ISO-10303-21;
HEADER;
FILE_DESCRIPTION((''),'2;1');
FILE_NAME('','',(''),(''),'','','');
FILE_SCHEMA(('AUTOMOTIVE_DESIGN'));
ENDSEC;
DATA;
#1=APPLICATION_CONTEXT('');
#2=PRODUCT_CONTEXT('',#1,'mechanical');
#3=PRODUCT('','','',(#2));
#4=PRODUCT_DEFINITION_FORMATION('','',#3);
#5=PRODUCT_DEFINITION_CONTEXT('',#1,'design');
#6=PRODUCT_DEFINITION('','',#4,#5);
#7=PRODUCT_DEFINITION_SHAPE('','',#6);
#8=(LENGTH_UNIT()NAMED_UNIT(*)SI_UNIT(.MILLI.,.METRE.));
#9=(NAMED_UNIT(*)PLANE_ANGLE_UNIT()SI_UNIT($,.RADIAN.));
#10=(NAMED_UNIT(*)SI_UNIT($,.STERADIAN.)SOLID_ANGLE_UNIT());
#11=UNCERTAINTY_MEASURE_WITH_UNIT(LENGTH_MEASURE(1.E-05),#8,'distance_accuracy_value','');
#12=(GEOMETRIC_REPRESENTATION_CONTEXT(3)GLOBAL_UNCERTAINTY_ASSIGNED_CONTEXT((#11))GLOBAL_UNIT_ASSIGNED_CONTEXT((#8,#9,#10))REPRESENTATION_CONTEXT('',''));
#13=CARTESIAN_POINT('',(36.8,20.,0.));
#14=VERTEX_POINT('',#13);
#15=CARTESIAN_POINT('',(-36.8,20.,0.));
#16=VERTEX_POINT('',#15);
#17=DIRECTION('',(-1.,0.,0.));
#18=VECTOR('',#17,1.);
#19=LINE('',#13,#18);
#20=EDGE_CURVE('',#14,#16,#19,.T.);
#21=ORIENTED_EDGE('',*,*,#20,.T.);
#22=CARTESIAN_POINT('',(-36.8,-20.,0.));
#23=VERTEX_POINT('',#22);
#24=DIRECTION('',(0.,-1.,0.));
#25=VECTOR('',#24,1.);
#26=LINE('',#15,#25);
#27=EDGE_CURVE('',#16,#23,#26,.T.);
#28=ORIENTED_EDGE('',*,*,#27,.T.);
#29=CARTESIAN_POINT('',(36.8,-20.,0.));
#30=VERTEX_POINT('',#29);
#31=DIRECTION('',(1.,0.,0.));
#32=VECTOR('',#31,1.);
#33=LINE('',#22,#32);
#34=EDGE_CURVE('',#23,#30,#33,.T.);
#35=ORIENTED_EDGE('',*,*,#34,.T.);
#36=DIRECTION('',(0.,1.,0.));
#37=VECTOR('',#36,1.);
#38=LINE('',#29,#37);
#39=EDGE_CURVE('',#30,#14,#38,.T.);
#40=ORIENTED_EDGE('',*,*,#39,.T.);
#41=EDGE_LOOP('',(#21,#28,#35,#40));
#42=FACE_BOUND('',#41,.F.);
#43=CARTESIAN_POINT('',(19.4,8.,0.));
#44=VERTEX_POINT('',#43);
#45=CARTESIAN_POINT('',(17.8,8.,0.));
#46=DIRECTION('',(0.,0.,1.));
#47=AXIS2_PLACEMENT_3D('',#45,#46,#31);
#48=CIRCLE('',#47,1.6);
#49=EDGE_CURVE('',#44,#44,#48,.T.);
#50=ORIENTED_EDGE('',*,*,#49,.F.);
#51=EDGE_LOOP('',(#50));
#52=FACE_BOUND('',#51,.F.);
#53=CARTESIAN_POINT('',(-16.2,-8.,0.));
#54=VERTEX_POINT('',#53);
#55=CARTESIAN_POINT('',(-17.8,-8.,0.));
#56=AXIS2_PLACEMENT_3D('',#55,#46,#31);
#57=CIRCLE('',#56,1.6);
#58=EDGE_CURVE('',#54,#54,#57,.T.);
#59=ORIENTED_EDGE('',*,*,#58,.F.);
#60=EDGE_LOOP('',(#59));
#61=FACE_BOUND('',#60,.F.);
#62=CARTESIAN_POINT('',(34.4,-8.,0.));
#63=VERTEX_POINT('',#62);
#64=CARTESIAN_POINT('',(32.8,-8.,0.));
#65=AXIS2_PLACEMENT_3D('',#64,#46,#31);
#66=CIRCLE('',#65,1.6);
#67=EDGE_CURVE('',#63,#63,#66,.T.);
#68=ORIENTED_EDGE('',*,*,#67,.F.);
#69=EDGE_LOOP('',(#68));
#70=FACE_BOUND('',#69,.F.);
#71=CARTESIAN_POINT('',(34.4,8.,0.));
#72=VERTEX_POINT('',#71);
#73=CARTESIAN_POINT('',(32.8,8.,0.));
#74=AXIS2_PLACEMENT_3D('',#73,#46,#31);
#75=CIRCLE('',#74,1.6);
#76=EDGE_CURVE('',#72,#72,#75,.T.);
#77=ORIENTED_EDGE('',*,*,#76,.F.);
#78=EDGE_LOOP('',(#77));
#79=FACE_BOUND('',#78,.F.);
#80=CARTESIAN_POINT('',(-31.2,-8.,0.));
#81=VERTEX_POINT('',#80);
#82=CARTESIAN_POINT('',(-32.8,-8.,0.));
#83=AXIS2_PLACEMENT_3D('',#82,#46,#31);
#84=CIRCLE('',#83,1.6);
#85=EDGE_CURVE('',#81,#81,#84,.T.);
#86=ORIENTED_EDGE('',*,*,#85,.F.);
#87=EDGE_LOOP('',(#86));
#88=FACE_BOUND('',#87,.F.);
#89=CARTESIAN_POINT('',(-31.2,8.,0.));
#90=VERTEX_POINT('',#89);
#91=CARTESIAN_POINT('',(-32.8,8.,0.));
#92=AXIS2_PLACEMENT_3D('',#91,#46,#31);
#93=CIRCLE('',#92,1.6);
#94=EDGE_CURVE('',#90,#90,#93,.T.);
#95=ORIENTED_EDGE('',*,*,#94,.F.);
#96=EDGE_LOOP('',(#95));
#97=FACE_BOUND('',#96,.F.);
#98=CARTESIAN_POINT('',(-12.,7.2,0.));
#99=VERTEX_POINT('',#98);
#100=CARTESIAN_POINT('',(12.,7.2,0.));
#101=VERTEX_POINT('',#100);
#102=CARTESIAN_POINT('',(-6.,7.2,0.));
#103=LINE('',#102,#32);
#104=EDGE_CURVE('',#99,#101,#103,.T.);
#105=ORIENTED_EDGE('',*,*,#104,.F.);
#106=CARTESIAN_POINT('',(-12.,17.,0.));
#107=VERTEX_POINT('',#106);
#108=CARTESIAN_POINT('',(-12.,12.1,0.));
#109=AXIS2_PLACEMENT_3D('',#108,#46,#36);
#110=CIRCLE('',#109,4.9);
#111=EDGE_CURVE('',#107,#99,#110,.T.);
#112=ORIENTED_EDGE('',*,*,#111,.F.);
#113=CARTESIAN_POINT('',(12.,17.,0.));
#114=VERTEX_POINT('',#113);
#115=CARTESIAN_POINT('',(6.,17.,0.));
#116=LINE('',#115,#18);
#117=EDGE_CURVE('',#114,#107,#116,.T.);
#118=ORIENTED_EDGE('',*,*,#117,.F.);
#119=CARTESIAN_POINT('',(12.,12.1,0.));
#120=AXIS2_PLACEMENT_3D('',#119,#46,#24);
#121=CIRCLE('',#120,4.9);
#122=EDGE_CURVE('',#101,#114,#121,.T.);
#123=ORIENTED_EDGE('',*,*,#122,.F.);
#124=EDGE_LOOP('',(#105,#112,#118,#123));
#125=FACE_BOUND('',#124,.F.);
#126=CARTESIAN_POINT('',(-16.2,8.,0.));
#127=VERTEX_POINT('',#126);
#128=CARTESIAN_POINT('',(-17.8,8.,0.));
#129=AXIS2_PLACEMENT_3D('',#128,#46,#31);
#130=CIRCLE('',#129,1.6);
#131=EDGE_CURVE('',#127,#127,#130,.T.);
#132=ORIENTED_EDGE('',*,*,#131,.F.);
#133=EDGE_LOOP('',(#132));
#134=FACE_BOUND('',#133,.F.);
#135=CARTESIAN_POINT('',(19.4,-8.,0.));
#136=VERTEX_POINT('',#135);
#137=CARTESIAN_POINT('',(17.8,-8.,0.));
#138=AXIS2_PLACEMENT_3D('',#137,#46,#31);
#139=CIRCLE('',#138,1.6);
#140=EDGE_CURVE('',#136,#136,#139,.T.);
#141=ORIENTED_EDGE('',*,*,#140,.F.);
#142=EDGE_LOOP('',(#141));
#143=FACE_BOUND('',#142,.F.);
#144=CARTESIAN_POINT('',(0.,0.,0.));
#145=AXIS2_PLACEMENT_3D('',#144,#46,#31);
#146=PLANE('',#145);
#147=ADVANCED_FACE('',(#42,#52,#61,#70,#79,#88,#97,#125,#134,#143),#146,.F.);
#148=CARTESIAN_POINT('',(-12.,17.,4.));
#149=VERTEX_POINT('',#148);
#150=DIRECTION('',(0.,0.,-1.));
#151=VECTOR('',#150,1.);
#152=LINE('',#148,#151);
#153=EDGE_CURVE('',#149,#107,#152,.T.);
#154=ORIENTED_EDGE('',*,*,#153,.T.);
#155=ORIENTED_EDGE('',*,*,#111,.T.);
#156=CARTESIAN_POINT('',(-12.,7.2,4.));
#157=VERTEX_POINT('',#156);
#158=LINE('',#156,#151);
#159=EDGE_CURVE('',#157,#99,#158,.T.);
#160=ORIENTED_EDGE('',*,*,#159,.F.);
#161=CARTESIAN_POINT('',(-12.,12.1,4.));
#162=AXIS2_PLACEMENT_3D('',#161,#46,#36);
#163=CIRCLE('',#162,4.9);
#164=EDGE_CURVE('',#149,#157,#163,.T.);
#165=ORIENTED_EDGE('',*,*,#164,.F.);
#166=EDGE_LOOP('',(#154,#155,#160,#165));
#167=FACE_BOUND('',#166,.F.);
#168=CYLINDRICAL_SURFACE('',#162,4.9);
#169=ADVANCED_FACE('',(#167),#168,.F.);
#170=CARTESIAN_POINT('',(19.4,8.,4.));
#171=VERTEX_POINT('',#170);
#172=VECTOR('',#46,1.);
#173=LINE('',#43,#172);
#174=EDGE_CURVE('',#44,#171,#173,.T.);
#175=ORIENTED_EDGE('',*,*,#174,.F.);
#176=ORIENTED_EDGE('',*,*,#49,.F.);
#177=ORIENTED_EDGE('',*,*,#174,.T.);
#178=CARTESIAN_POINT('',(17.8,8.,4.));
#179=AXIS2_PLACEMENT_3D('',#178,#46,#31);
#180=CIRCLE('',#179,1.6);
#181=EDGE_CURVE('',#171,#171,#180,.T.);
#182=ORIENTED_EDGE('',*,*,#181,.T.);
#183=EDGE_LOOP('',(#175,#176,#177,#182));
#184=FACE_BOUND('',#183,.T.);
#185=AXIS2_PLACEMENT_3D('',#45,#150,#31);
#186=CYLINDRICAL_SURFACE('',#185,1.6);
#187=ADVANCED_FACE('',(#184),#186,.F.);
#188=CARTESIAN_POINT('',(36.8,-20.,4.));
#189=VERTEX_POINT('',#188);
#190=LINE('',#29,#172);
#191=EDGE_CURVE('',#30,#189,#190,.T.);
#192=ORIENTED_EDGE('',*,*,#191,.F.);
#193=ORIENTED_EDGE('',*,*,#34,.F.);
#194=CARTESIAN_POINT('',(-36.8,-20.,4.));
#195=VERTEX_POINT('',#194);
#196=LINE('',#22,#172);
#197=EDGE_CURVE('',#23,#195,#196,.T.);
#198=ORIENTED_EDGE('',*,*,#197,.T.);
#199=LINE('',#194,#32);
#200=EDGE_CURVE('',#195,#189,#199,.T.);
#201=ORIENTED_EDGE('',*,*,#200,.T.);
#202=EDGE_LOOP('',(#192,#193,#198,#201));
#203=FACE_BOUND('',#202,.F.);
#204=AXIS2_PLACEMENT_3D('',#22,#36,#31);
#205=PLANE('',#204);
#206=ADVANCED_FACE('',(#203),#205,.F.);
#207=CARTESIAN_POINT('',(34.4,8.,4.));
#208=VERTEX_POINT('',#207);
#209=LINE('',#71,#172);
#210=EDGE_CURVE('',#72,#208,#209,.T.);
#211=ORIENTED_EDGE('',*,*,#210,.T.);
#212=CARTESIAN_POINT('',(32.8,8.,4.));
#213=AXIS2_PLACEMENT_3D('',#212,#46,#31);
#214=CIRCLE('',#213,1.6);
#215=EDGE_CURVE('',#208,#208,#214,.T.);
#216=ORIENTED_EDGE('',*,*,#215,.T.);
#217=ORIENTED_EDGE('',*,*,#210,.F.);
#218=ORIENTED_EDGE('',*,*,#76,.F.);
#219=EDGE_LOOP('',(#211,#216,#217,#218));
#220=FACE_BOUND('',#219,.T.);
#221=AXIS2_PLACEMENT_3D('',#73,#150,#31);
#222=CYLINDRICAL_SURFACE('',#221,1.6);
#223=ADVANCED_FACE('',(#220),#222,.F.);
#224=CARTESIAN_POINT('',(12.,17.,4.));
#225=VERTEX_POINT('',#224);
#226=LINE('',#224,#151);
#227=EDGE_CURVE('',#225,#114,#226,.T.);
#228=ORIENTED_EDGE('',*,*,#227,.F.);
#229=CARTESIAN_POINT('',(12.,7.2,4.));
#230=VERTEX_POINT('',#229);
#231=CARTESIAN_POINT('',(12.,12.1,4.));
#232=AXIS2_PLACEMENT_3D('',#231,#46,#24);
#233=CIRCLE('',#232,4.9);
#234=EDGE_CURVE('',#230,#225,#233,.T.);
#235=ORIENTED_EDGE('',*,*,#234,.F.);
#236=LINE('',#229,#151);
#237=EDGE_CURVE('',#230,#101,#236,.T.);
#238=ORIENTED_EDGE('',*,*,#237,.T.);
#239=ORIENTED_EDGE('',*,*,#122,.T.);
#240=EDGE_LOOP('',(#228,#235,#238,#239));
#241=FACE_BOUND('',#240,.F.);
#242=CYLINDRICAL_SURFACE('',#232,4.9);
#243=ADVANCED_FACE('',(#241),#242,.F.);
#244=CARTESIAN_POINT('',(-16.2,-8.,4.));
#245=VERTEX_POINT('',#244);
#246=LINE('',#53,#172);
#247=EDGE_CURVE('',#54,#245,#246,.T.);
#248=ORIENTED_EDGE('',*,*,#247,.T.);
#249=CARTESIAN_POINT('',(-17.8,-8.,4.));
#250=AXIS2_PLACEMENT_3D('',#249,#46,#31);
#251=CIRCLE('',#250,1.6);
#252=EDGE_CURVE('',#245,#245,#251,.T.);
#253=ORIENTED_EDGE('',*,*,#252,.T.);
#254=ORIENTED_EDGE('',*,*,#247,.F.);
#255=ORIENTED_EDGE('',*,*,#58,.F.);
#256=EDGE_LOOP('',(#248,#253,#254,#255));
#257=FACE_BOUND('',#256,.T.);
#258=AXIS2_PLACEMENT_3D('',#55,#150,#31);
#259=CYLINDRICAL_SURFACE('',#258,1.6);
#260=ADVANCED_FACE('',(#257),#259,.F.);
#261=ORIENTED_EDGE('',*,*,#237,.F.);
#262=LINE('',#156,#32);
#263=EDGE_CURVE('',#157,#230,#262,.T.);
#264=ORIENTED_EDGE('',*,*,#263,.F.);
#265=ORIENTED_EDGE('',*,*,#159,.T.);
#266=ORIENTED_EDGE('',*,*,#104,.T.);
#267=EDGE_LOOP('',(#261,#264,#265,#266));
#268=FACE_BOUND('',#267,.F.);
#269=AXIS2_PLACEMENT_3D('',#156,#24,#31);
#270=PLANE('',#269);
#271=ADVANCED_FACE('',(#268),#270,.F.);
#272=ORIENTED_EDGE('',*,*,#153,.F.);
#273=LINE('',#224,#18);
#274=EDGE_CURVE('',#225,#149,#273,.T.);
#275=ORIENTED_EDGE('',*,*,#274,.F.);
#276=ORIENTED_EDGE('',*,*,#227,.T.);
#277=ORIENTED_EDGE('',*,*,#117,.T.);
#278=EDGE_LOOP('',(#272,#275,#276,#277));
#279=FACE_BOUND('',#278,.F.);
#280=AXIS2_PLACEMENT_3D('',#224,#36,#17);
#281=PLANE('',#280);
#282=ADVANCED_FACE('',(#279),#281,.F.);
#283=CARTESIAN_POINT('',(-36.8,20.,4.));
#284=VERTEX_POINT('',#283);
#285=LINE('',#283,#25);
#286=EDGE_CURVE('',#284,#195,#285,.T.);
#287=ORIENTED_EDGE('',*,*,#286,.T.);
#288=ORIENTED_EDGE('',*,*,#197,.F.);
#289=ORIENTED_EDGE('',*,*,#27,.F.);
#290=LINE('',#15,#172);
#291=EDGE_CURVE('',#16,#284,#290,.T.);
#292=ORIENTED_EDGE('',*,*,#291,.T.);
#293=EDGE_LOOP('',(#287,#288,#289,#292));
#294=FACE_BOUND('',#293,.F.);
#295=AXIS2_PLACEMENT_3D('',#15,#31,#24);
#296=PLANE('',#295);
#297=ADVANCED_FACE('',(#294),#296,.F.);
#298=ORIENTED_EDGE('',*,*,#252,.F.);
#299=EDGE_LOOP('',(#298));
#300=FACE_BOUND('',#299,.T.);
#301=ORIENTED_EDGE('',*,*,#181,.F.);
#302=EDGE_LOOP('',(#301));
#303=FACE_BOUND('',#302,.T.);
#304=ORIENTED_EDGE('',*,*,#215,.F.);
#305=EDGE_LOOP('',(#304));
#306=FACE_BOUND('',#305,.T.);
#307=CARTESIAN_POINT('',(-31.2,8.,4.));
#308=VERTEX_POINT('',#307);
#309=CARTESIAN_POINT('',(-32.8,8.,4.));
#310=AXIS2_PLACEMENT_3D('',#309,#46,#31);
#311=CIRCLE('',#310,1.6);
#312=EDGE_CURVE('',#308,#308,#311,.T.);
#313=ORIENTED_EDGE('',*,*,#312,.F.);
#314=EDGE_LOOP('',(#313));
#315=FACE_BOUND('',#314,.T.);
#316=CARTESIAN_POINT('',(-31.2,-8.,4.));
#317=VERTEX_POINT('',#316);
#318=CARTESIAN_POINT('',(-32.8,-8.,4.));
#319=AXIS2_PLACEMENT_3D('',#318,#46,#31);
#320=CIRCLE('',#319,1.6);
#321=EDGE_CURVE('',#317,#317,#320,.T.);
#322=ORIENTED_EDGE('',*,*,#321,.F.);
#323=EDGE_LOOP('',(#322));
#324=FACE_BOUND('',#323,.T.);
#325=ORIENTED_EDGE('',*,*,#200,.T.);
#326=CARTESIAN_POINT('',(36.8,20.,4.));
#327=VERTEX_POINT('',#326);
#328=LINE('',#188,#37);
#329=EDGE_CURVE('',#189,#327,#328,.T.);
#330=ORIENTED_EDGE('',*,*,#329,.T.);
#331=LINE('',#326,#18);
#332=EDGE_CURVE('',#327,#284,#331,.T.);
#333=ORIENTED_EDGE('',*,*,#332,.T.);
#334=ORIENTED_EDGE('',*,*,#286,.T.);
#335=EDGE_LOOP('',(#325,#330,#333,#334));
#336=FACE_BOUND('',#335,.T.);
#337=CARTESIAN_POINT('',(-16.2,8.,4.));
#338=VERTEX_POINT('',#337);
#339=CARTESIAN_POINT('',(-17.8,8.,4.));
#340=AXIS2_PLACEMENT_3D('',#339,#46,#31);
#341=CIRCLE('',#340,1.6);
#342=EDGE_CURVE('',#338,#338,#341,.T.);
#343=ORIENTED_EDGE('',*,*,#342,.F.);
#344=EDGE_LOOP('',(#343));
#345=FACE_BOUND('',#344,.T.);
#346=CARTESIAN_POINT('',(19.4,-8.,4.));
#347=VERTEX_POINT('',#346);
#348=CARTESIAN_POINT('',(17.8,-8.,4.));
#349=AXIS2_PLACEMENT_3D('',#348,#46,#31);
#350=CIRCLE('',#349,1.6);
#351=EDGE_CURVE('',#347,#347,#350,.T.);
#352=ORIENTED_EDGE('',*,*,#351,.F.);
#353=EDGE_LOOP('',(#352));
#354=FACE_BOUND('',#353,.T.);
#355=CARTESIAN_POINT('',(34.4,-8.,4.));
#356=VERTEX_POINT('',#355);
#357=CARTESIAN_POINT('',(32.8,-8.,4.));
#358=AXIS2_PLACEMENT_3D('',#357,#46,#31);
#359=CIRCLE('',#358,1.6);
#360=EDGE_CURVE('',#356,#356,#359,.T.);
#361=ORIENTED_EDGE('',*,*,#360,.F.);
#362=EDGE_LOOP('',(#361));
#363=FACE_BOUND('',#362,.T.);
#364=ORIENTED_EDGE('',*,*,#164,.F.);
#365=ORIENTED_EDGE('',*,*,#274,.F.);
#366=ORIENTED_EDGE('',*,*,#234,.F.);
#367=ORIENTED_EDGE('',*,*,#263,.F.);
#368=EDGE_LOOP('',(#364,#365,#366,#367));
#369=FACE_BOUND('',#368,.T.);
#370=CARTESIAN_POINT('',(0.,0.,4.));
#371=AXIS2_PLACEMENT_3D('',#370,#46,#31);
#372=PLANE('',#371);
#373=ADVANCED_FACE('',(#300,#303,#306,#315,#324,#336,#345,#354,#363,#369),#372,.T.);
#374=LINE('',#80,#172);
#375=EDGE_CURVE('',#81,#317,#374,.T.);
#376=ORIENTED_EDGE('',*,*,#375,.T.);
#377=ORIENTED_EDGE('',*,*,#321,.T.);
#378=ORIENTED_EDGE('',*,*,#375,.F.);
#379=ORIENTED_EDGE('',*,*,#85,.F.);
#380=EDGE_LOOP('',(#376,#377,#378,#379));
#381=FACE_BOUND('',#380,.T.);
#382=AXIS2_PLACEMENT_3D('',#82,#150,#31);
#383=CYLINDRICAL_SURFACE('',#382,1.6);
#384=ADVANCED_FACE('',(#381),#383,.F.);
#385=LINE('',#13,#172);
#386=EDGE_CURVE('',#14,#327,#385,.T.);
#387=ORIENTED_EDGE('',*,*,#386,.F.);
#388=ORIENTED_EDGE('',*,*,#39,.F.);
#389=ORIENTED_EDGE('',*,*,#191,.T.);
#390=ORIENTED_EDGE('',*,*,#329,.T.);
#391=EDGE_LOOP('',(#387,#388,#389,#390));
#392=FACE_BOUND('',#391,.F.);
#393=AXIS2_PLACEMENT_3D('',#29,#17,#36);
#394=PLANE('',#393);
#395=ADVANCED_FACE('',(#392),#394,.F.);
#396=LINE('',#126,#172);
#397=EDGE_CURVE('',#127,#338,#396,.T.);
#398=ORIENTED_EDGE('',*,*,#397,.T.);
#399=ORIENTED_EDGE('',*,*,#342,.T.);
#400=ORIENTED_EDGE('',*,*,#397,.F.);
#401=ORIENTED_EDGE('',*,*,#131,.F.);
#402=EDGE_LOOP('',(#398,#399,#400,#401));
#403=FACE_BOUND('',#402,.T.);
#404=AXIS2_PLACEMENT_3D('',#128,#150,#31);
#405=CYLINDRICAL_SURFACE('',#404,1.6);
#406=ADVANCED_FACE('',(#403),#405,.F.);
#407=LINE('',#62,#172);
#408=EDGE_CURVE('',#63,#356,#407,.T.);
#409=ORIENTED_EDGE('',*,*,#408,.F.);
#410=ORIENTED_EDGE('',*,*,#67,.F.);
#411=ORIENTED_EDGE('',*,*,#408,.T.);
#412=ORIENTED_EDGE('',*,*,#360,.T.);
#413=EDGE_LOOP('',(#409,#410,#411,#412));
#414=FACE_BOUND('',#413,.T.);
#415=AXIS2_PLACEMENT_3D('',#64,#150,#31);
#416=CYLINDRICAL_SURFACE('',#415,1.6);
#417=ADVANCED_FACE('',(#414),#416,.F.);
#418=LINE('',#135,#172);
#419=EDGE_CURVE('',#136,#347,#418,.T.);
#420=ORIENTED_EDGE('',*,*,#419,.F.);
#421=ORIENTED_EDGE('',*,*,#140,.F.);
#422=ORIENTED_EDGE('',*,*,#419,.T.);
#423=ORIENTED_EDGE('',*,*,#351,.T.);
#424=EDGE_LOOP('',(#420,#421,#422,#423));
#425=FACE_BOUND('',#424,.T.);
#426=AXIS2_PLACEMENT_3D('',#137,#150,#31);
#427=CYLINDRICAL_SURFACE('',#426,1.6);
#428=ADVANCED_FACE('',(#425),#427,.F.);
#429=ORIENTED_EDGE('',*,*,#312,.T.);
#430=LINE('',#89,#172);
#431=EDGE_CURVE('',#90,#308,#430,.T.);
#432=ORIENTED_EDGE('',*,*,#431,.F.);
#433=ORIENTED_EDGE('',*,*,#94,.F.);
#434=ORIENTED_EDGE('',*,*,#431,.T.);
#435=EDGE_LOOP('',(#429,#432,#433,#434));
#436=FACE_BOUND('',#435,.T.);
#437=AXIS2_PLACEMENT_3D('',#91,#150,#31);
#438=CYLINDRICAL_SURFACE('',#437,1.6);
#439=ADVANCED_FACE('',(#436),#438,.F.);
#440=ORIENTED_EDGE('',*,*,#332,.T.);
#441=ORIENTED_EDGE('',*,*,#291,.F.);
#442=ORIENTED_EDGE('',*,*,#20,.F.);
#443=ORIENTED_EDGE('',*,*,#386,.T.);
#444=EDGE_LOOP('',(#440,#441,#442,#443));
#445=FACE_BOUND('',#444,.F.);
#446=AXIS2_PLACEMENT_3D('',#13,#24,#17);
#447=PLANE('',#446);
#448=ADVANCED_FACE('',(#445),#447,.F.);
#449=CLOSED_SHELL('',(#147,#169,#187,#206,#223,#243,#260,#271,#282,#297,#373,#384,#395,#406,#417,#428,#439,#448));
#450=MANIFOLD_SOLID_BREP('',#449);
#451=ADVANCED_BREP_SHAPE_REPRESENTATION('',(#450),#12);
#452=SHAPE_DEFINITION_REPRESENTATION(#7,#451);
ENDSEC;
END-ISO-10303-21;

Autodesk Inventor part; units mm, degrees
ref_plane "YZ Plane" through (0, 0, 0) normal (1, 0, 0) x (0, 1, 0)
ref_plane "XZ Plane" through (0, 0, 0) normal (0, 1, 0) x (-1, 0, 0)
ref_plane "XY Plane" through (0, 0, 0) normal (0, 0, 1) x (1, 0, 0)
sketch "Эскиз1" plane through (0, 0, 0) normal (0, 0, 1) x (1, 0, 0)
  line L0 (-36.8, -20) -> (36.8, -20)
  line L1 (36.8, -20) -> (36.8, 20)
  line L2 (36.8, 20) -> (-36.8, 20)
  line L3 (-36.8, 20) -> (-36.8, -20)
  line L4 (-36.8, -20) -> (36.8, 20) construction
  line L5 (36.8, -20) -> (-36.8, 20) construction
  line L6 (-17.8, -8) -> (-32.8, -8) construction
  line L7 (-32.8, -8) -> (-32.8, 8) construction
  line L8 (-32.8, 8) -> (-17.8, 8) construction
  line L9 (-17.8, 8) -> (-17.8, -8) construction
  line L10 (-17.8, -8) -> (-32.8, 8) construction
  line L11 (-32.8, -8) -> (-17.8, 8) construction
  circle A0 centre (-32.8, -8) radius 1.6
  circle A1 centre (-32.8, 8) radius 1.6
  circle A2 centre (-17.8, 8) radius 1.6
  circle A3 centre (-17.8, -8) radius 1.6
  line L12 (0, 0) -> (0, -20) construction
  line L13 (17.8, -8) -> (32.8, -8) construction
  line L14 (32.8, -8) -> (32.8, 8) construction
  line L15 (32.8, 8) -> (17.8, 8) construction
  line L16 (17.8, 8) -> (17.8, -8) construction
  line L17 (17.8, -8) -> (32.8, 8) construction
  line L18 (32.8, -8) -> (17.8, 8) construction
  circle A4 centre (32.8, -8) radius 1.6
  circle A5 centre (32.8, 8) radius 1.6
  circle A6 centre (17.8, 8) radius 1.6
  circle A7 centre (17.8, -8) radius 1.6
  point P0 (-25.3, 0)
  point P1 (25.3, 0)
  dimension "d0" = 73.6
  dimension "d1" = 40
  dimension "d2" = 15
  dimension "d3" = 16
  dimension "d4" = 4
  dimension "d5" = 3.2
  dimension "d6" = 3.2
  dimension "d7" = 3.2
  dimension "d8" = 3.2
  dimension "d9" = 20
extrude "Выдавливание1" add sketch "Эскиз1" along normal blind 4
sketch "Эскиз2" plane through (0, 0, 4) normal (0, 0, 1) x (1, 0, 0)
  line L0 (-12, 12.1) -> (12, 12.1) construction
  line L1 (-12, 7.2) -> (12, 7.2)
  line L2 (12, 17) -> (-12, 17)
  arc A0 (-12, 17) -> (-12, 7.2) centre (-12, 12.1) ccw
  arc A1 (12, 7.2) -> (12, 17) centre (12, 12.1) ccw
  line L3 (36.8, 20) -> (-36.8, 20) projected
  point P0 (0, 0)
  point P1 (0, 12.1)
  dimension "d12" = 12
  dimension "d13" = 9.8
  dimension "d14" = 3
extrude "Выдавливание2" cut sketch "Эскиз2" against normal blind 10
properties part number "стена_движения_каретки_з"
